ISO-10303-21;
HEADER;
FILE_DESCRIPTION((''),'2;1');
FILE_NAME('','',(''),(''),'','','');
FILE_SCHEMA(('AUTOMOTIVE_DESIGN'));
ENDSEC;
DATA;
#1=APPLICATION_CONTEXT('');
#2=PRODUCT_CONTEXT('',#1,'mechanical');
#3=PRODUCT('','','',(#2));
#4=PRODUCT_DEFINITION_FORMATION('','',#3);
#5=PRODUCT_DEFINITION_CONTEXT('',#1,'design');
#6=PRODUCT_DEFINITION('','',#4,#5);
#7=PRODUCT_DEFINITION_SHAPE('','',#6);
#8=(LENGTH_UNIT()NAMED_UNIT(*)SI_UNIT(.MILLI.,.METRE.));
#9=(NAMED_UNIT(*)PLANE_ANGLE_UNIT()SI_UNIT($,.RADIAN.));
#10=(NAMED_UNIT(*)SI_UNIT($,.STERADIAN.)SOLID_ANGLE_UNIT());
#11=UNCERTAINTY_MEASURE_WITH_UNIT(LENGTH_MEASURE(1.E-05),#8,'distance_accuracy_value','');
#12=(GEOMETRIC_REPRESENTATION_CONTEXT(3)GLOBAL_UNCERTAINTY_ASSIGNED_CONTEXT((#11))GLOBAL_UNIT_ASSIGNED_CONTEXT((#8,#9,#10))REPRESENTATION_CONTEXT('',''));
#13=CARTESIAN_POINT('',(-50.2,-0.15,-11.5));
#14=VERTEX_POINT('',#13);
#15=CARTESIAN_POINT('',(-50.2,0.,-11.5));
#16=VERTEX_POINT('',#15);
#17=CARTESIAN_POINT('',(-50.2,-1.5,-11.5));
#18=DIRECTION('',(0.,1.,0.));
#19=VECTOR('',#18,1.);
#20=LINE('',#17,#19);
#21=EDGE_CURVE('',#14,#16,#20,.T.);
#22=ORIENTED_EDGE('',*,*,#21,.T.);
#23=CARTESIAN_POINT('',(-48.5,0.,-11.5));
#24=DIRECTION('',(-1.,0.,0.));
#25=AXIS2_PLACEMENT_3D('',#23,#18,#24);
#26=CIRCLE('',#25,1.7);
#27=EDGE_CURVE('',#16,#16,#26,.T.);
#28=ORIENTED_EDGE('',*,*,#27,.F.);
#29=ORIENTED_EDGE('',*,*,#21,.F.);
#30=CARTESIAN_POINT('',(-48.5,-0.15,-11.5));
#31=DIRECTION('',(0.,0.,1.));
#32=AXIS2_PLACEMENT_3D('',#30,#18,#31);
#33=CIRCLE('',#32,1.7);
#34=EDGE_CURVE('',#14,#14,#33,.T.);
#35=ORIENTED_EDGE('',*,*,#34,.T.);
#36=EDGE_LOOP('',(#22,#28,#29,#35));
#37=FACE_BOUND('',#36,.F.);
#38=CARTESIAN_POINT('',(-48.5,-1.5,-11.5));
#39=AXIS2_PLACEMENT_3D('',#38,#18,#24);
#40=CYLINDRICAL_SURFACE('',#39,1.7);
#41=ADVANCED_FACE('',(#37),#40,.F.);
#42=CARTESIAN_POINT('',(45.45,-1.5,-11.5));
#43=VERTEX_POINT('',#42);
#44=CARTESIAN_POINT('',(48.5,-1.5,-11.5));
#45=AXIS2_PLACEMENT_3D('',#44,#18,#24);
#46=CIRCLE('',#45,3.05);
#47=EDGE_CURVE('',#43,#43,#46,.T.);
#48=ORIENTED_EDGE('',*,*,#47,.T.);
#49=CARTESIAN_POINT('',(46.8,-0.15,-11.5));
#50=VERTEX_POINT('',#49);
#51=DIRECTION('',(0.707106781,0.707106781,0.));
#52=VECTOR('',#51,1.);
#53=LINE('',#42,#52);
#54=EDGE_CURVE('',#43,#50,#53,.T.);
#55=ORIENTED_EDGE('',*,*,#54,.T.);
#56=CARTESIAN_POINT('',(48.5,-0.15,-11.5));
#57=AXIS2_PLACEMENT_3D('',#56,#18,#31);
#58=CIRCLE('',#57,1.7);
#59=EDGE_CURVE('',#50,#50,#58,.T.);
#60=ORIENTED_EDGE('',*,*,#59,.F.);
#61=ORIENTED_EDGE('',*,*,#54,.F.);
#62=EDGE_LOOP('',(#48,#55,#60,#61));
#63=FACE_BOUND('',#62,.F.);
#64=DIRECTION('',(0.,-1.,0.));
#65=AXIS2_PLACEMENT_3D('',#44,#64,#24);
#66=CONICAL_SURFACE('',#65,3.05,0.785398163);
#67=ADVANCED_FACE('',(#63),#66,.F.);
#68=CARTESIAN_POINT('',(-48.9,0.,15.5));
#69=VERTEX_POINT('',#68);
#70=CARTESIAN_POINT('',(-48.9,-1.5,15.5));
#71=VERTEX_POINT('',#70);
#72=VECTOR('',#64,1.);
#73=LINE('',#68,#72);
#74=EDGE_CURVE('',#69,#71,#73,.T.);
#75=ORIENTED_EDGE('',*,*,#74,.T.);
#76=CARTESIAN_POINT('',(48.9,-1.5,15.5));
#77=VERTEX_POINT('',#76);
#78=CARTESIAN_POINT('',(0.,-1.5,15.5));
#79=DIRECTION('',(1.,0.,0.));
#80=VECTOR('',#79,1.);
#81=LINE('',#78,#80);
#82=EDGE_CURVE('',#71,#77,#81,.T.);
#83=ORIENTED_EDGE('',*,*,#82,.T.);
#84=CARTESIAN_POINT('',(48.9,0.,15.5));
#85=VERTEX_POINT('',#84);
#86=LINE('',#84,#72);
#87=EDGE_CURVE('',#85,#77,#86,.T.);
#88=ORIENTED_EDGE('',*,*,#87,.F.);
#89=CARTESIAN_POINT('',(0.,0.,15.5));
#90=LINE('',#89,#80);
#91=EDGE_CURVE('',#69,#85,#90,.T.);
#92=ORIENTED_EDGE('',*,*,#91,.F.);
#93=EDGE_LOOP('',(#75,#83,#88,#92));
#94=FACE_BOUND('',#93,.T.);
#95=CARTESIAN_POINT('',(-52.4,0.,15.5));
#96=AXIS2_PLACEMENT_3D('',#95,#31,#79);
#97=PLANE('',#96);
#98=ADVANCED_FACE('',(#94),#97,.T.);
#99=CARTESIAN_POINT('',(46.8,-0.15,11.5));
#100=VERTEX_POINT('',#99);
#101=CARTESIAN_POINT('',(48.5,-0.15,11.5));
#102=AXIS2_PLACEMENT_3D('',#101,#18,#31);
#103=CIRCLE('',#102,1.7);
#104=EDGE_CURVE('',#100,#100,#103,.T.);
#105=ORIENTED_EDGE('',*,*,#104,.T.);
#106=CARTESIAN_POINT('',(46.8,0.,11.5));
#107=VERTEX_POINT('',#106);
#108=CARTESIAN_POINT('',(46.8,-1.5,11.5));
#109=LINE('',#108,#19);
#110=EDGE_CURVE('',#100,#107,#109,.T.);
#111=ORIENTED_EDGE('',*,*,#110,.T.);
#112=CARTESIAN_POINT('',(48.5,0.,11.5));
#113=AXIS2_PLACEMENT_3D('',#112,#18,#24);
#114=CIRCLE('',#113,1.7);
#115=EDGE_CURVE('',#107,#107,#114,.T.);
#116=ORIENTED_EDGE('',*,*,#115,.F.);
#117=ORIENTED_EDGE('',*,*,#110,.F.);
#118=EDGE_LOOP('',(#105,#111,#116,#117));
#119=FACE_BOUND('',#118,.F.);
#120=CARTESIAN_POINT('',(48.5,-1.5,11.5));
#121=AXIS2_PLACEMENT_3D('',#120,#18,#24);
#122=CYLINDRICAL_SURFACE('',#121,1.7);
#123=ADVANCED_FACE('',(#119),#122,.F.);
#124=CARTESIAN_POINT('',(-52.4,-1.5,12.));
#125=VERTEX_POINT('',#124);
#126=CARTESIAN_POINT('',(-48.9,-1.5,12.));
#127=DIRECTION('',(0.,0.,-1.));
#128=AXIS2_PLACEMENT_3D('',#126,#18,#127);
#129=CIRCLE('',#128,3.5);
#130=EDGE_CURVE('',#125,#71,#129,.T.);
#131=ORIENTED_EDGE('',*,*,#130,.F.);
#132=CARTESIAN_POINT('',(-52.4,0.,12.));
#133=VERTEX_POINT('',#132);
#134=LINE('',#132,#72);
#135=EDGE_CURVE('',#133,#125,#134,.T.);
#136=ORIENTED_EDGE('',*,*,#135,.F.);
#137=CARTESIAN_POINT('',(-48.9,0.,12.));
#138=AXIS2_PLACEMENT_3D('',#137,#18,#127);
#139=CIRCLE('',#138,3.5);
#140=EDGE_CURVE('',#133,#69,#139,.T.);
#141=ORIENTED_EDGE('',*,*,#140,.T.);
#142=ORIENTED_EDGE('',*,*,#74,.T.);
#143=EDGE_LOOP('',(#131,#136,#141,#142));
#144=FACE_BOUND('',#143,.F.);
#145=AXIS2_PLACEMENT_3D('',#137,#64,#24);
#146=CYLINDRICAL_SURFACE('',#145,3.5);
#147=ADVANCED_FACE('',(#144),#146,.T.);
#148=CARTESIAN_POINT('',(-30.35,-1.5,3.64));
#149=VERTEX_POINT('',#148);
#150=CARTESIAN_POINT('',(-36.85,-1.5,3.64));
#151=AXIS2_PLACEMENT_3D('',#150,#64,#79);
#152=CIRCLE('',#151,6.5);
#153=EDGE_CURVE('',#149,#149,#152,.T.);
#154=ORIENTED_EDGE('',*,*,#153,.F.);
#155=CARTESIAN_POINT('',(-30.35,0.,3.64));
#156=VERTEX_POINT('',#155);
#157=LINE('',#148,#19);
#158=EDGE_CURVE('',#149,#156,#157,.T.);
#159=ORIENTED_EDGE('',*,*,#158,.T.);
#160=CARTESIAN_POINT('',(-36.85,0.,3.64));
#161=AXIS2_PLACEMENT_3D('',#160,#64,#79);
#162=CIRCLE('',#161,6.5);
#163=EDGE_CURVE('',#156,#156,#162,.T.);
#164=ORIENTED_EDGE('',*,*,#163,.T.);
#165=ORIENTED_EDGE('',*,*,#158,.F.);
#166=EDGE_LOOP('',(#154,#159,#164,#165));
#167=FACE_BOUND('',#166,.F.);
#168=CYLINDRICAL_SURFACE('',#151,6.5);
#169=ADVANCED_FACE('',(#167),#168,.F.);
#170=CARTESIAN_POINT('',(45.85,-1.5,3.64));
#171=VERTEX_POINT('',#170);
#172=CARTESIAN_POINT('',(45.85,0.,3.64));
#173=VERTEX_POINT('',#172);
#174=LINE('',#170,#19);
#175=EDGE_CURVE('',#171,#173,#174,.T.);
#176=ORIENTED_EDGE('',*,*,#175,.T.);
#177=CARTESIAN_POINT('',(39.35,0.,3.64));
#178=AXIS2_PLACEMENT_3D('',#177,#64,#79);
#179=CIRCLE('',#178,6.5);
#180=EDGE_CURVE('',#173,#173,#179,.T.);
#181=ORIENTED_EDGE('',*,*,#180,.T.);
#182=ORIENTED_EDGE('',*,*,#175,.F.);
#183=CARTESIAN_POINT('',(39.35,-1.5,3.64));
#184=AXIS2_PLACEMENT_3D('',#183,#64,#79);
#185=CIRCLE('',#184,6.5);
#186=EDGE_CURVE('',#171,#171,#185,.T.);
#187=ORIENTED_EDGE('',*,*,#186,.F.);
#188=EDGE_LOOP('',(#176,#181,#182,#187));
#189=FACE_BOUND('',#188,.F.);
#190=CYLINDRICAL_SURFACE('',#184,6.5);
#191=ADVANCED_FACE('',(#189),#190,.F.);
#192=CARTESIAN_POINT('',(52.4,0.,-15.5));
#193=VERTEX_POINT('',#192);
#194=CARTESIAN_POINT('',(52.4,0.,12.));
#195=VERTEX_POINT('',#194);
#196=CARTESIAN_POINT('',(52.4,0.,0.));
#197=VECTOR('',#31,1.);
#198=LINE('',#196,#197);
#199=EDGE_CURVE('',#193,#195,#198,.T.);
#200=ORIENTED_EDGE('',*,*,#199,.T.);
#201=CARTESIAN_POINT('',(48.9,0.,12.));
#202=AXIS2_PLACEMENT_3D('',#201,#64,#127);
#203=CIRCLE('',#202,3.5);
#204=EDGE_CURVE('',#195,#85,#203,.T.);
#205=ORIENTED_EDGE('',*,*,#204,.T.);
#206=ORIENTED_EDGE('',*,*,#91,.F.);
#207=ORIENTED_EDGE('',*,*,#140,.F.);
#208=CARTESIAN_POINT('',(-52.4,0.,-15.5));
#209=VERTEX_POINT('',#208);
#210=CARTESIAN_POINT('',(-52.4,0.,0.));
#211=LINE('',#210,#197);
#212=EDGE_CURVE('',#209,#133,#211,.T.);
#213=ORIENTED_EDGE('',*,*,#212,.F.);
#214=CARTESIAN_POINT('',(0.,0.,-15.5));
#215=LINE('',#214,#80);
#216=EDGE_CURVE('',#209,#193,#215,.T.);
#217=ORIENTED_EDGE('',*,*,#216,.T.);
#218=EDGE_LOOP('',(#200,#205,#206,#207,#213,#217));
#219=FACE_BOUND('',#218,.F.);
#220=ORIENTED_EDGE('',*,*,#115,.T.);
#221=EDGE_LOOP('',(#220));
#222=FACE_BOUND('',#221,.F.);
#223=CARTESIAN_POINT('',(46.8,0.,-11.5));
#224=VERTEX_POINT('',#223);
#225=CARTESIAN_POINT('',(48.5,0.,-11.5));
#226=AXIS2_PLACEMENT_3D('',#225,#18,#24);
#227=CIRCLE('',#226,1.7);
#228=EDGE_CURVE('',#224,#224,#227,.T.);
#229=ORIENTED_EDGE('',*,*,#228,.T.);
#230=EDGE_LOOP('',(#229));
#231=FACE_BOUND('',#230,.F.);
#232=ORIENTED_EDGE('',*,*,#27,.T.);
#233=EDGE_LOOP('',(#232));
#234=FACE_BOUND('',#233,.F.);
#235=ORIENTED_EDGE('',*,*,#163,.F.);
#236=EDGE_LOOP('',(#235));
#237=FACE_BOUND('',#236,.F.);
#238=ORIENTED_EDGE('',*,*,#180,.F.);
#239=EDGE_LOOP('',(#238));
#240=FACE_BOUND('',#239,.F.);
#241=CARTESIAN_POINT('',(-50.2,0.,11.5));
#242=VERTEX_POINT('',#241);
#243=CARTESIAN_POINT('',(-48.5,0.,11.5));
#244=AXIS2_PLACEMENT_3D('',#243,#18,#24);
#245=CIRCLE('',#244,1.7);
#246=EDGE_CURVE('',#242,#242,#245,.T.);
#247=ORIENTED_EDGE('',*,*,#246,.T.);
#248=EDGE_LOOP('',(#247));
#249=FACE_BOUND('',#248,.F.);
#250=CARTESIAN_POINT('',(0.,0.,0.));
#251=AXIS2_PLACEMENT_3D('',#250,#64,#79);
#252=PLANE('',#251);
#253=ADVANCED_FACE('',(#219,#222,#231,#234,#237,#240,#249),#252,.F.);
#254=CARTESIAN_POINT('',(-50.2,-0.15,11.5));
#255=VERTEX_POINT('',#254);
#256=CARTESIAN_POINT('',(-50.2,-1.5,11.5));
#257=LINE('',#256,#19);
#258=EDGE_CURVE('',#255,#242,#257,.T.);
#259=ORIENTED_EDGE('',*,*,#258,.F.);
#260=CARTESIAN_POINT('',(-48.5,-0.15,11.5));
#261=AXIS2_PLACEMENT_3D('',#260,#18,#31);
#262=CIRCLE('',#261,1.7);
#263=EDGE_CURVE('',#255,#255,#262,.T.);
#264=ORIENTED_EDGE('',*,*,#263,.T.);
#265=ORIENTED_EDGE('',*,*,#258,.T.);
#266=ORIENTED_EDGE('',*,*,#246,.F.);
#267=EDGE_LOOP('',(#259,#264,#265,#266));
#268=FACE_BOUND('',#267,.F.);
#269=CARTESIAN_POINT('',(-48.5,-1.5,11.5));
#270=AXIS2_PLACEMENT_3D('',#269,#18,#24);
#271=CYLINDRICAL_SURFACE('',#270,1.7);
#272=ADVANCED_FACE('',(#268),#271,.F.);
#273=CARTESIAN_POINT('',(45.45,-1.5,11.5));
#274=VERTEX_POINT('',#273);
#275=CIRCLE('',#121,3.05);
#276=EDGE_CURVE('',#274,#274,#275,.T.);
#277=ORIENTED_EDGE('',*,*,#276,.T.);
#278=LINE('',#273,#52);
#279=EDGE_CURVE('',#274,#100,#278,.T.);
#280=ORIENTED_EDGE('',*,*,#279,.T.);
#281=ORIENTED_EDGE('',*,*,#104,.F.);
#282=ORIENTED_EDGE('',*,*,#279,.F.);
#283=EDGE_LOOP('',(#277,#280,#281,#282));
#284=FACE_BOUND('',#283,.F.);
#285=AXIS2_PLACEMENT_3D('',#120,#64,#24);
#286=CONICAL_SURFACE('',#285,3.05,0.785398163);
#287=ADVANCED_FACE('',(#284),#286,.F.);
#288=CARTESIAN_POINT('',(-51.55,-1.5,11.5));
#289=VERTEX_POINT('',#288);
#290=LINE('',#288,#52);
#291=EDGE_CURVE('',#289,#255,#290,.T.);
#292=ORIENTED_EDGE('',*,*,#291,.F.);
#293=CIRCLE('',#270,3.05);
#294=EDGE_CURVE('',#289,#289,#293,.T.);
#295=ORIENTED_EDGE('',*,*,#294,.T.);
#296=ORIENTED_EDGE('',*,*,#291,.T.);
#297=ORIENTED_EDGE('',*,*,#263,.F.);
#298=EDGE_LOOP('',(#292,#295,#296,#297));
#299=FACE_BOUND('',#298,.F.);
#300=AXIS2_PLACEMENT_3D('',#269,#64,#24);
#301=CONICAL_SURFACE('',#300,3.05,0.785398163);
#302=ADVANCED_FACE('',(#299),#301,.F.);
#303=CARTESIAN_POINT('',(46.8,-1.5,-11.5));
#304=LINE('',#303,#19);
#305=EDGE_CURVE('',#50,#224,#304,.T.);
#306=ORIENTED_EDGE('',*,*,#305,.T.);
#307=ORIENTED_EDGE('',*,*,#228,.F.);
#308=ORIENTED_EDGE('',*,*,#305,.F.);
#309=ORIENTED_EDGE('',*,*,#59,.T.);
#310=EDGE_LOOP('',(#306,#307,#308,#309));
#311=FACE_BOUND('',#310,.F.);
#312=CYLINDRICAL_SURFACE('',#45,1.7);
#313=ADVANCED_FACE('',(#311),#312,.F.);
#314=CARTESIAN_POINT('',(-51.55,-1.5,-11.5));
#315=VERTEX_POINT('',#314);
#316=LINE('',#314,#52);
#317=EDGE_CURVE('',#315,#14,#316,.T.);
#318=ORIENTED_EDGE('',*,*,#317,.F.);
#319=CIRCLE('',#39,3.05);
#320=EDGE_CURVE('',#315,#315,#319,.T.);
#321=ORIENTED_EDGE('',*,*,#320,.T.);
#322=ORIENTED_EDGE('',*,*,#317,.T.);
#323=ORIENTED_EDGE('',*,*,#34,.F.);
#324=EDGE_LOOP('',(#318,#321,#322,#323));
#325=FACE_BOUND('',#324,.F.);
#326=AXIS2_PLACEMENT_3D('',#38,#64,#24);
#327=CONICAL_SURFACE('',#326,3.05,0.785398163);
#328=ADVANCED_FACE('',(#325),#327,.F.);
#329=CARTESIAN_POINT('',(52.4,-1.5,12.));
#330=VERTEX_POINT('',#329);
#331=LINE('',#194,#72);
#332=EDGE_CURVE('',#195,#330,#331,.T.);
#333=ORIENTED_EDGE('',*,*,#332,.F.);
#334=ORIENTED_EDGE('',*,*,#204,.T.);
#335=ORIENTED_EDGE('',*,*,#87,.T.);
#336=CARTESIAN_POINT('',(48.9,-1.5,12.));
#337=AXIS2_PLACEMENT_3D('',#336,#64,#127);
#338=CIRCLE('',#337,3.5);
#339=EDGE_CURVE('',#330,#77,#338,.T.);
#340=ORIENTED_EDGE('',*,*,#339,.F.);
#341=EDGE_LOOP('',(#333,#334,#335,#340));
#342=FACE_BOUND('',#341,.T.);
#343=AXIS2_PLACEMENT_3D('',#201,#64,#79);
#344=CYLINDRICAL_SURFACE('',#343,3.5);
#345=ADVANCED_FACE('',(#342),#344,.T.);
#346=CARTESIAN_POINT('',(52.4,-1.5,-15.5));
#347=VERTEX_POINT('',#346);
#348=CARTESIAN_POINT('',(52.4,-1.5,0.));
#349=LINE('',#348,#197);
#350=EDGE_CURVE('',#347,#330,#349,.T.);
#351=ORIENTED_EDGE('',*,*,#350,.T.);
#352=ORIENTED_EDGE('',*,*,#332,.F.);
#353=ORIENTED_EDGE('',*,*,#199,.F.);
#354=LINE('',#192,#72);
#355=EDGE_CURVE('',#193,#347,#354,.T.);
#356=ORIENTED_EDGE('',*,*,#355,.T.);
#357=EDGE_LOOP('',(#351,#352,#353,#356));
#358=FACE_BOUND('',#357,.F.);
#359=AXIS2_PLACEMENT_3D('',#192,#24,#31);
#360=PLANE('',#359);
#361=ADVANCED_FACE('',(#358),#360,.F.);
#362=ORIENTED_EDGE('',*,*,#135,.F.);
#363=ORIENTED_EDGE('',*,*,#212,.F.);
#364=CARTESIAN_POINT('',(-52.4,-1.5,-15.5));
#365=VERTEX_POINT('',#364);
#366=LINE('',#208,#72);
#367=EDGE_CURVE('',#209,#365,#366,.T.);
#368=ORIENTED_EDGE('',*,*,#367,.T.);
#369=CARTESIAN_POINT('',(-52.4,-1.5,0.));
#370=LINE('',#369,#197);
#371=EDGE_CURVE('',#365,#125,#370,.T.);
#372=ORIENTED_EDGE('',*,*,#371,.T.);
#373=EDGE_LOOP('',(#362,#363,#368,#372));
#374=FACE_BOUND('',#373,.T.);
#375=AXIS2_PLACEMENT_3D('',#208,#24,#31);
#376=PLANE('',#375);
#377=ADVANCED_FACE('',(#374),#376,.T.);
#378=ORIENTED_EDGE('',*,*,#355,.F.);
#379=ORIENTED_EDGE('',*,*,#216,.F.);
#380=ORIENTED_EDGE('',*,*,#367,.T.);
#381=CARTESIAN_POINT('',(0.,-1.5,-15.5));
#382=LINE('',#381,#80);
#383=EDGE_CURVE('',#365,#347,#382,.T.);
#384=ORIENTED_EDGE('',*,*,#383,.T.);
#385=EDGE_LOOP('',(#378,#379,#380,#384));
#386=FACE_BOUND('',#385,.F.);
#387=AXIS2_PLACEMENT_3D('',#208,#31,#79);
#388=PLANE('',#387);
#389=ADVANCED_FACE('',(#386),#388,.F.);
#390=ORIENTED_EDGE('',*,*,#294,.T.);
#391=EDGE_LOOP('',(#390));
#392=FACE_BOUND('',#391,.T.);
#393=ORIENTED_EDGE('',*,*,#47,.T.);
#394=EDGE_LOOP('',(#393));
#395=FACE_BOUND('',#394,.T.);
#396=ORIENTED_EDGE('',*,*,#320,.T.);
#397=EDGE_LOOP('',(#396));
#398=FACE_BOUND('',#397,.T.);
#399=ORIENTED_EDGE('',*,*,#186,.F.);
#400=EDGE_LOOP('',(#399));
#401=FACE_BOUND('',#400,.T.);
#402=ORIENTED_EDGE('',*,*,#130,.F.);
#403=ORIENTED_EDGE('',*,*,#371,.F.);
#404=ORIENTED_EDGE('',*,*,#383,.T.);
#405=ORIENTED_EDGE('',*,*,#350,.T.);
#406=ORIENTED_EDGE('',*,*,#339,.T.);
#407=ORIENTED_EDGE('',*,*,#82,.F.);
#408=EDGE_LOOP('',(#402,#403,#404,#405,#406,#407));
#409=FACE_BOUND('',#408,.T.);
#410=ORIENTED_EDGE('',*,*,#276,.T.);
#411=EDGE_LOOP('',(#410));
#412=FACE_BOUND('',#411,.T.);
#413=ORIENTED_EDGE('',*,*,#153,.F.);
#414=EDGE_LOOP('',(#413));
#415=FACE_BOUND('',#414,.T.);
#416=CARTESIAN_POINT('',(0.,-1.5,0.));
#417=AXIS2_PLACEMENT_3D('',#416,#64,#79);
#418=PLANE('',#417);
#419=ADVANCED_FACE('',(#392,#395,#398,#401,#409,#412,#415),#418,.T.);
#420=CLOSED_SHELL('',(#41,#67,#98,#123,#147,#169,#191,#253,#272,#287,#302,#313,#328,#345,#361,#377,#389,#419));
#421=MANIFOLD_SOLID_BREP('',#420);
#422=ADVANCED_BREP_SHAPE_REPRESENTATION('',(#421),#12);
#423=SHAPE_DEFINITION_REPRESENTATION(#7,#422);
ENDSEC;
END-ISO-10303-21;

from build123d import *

# Parameters (mm, degrees)
SKETCH_W            = 104.8
SKETCH_H            = 31
PAD_DEPTH           = 1.5
HOLE_D              = 3.4
HOLE_DEPTH          = 25
HOLE_CSINK_D        = 6.1
HOLE_CSINK_ANGLE    = 90
FILLET_R            = 3.5
SKETCH002_R         = 6.5
POCKET_DEPTH        = 1.501
LINEARPATTERN_COUNT = 2
LINEARPATTERN_PITCH = 76.2


with BuildPart() as part:
    # Sketch → Pad (new body)
    with BuildSketch(Plane.XZ):
        Rectangle(SKETCH_W, SKETCH_H)
    extrude(amount=PAD_DEPTH)

    # Hole
    with Locations(Plane.XZ.offset(1.5)):
        with Locations((-48.5, 11.5), (-48.5, -11.5), (48.5, -11.5), (48.5, 11.5)):
            CounterSinkHole(HOLE_D / 2, HOLE_CSINK_D / 2, depth=HOLE_DEPTH, counter_sink_angle=HOLE_CSINK_ANGLE)

    # Fillet
    fillet_edges = [part.edges().sort_by_distance(p)[0] for p in [
        (-52.4, -0.75, 15.5),
        (52.4, -0.75, 15.5),
    ]]
    fillet(fillet_edges, radius=FILLET_R)

    # Sketch002 (on Face5 of Fillet) → Pocket (cut, through all)
    with BuildSketch(Plane.XZ.offset(1.5)):
        with Locations((-36.85, 3.64)):
            Circle(SKETCH002_R)
    pocket = extrude(amount=-POCKET_DEPTH, mode=Mode.SUBTRACT)

    # LinearPattern: Pocket ×2
    with Locations(*[(i * LINEARPATTERN_PITCH, 0, 0) for i in range(1, LINEARPATTERN_COUNT)]):
        add(pocket, mode=Mode.SUBTRACT)


solid = part.part
